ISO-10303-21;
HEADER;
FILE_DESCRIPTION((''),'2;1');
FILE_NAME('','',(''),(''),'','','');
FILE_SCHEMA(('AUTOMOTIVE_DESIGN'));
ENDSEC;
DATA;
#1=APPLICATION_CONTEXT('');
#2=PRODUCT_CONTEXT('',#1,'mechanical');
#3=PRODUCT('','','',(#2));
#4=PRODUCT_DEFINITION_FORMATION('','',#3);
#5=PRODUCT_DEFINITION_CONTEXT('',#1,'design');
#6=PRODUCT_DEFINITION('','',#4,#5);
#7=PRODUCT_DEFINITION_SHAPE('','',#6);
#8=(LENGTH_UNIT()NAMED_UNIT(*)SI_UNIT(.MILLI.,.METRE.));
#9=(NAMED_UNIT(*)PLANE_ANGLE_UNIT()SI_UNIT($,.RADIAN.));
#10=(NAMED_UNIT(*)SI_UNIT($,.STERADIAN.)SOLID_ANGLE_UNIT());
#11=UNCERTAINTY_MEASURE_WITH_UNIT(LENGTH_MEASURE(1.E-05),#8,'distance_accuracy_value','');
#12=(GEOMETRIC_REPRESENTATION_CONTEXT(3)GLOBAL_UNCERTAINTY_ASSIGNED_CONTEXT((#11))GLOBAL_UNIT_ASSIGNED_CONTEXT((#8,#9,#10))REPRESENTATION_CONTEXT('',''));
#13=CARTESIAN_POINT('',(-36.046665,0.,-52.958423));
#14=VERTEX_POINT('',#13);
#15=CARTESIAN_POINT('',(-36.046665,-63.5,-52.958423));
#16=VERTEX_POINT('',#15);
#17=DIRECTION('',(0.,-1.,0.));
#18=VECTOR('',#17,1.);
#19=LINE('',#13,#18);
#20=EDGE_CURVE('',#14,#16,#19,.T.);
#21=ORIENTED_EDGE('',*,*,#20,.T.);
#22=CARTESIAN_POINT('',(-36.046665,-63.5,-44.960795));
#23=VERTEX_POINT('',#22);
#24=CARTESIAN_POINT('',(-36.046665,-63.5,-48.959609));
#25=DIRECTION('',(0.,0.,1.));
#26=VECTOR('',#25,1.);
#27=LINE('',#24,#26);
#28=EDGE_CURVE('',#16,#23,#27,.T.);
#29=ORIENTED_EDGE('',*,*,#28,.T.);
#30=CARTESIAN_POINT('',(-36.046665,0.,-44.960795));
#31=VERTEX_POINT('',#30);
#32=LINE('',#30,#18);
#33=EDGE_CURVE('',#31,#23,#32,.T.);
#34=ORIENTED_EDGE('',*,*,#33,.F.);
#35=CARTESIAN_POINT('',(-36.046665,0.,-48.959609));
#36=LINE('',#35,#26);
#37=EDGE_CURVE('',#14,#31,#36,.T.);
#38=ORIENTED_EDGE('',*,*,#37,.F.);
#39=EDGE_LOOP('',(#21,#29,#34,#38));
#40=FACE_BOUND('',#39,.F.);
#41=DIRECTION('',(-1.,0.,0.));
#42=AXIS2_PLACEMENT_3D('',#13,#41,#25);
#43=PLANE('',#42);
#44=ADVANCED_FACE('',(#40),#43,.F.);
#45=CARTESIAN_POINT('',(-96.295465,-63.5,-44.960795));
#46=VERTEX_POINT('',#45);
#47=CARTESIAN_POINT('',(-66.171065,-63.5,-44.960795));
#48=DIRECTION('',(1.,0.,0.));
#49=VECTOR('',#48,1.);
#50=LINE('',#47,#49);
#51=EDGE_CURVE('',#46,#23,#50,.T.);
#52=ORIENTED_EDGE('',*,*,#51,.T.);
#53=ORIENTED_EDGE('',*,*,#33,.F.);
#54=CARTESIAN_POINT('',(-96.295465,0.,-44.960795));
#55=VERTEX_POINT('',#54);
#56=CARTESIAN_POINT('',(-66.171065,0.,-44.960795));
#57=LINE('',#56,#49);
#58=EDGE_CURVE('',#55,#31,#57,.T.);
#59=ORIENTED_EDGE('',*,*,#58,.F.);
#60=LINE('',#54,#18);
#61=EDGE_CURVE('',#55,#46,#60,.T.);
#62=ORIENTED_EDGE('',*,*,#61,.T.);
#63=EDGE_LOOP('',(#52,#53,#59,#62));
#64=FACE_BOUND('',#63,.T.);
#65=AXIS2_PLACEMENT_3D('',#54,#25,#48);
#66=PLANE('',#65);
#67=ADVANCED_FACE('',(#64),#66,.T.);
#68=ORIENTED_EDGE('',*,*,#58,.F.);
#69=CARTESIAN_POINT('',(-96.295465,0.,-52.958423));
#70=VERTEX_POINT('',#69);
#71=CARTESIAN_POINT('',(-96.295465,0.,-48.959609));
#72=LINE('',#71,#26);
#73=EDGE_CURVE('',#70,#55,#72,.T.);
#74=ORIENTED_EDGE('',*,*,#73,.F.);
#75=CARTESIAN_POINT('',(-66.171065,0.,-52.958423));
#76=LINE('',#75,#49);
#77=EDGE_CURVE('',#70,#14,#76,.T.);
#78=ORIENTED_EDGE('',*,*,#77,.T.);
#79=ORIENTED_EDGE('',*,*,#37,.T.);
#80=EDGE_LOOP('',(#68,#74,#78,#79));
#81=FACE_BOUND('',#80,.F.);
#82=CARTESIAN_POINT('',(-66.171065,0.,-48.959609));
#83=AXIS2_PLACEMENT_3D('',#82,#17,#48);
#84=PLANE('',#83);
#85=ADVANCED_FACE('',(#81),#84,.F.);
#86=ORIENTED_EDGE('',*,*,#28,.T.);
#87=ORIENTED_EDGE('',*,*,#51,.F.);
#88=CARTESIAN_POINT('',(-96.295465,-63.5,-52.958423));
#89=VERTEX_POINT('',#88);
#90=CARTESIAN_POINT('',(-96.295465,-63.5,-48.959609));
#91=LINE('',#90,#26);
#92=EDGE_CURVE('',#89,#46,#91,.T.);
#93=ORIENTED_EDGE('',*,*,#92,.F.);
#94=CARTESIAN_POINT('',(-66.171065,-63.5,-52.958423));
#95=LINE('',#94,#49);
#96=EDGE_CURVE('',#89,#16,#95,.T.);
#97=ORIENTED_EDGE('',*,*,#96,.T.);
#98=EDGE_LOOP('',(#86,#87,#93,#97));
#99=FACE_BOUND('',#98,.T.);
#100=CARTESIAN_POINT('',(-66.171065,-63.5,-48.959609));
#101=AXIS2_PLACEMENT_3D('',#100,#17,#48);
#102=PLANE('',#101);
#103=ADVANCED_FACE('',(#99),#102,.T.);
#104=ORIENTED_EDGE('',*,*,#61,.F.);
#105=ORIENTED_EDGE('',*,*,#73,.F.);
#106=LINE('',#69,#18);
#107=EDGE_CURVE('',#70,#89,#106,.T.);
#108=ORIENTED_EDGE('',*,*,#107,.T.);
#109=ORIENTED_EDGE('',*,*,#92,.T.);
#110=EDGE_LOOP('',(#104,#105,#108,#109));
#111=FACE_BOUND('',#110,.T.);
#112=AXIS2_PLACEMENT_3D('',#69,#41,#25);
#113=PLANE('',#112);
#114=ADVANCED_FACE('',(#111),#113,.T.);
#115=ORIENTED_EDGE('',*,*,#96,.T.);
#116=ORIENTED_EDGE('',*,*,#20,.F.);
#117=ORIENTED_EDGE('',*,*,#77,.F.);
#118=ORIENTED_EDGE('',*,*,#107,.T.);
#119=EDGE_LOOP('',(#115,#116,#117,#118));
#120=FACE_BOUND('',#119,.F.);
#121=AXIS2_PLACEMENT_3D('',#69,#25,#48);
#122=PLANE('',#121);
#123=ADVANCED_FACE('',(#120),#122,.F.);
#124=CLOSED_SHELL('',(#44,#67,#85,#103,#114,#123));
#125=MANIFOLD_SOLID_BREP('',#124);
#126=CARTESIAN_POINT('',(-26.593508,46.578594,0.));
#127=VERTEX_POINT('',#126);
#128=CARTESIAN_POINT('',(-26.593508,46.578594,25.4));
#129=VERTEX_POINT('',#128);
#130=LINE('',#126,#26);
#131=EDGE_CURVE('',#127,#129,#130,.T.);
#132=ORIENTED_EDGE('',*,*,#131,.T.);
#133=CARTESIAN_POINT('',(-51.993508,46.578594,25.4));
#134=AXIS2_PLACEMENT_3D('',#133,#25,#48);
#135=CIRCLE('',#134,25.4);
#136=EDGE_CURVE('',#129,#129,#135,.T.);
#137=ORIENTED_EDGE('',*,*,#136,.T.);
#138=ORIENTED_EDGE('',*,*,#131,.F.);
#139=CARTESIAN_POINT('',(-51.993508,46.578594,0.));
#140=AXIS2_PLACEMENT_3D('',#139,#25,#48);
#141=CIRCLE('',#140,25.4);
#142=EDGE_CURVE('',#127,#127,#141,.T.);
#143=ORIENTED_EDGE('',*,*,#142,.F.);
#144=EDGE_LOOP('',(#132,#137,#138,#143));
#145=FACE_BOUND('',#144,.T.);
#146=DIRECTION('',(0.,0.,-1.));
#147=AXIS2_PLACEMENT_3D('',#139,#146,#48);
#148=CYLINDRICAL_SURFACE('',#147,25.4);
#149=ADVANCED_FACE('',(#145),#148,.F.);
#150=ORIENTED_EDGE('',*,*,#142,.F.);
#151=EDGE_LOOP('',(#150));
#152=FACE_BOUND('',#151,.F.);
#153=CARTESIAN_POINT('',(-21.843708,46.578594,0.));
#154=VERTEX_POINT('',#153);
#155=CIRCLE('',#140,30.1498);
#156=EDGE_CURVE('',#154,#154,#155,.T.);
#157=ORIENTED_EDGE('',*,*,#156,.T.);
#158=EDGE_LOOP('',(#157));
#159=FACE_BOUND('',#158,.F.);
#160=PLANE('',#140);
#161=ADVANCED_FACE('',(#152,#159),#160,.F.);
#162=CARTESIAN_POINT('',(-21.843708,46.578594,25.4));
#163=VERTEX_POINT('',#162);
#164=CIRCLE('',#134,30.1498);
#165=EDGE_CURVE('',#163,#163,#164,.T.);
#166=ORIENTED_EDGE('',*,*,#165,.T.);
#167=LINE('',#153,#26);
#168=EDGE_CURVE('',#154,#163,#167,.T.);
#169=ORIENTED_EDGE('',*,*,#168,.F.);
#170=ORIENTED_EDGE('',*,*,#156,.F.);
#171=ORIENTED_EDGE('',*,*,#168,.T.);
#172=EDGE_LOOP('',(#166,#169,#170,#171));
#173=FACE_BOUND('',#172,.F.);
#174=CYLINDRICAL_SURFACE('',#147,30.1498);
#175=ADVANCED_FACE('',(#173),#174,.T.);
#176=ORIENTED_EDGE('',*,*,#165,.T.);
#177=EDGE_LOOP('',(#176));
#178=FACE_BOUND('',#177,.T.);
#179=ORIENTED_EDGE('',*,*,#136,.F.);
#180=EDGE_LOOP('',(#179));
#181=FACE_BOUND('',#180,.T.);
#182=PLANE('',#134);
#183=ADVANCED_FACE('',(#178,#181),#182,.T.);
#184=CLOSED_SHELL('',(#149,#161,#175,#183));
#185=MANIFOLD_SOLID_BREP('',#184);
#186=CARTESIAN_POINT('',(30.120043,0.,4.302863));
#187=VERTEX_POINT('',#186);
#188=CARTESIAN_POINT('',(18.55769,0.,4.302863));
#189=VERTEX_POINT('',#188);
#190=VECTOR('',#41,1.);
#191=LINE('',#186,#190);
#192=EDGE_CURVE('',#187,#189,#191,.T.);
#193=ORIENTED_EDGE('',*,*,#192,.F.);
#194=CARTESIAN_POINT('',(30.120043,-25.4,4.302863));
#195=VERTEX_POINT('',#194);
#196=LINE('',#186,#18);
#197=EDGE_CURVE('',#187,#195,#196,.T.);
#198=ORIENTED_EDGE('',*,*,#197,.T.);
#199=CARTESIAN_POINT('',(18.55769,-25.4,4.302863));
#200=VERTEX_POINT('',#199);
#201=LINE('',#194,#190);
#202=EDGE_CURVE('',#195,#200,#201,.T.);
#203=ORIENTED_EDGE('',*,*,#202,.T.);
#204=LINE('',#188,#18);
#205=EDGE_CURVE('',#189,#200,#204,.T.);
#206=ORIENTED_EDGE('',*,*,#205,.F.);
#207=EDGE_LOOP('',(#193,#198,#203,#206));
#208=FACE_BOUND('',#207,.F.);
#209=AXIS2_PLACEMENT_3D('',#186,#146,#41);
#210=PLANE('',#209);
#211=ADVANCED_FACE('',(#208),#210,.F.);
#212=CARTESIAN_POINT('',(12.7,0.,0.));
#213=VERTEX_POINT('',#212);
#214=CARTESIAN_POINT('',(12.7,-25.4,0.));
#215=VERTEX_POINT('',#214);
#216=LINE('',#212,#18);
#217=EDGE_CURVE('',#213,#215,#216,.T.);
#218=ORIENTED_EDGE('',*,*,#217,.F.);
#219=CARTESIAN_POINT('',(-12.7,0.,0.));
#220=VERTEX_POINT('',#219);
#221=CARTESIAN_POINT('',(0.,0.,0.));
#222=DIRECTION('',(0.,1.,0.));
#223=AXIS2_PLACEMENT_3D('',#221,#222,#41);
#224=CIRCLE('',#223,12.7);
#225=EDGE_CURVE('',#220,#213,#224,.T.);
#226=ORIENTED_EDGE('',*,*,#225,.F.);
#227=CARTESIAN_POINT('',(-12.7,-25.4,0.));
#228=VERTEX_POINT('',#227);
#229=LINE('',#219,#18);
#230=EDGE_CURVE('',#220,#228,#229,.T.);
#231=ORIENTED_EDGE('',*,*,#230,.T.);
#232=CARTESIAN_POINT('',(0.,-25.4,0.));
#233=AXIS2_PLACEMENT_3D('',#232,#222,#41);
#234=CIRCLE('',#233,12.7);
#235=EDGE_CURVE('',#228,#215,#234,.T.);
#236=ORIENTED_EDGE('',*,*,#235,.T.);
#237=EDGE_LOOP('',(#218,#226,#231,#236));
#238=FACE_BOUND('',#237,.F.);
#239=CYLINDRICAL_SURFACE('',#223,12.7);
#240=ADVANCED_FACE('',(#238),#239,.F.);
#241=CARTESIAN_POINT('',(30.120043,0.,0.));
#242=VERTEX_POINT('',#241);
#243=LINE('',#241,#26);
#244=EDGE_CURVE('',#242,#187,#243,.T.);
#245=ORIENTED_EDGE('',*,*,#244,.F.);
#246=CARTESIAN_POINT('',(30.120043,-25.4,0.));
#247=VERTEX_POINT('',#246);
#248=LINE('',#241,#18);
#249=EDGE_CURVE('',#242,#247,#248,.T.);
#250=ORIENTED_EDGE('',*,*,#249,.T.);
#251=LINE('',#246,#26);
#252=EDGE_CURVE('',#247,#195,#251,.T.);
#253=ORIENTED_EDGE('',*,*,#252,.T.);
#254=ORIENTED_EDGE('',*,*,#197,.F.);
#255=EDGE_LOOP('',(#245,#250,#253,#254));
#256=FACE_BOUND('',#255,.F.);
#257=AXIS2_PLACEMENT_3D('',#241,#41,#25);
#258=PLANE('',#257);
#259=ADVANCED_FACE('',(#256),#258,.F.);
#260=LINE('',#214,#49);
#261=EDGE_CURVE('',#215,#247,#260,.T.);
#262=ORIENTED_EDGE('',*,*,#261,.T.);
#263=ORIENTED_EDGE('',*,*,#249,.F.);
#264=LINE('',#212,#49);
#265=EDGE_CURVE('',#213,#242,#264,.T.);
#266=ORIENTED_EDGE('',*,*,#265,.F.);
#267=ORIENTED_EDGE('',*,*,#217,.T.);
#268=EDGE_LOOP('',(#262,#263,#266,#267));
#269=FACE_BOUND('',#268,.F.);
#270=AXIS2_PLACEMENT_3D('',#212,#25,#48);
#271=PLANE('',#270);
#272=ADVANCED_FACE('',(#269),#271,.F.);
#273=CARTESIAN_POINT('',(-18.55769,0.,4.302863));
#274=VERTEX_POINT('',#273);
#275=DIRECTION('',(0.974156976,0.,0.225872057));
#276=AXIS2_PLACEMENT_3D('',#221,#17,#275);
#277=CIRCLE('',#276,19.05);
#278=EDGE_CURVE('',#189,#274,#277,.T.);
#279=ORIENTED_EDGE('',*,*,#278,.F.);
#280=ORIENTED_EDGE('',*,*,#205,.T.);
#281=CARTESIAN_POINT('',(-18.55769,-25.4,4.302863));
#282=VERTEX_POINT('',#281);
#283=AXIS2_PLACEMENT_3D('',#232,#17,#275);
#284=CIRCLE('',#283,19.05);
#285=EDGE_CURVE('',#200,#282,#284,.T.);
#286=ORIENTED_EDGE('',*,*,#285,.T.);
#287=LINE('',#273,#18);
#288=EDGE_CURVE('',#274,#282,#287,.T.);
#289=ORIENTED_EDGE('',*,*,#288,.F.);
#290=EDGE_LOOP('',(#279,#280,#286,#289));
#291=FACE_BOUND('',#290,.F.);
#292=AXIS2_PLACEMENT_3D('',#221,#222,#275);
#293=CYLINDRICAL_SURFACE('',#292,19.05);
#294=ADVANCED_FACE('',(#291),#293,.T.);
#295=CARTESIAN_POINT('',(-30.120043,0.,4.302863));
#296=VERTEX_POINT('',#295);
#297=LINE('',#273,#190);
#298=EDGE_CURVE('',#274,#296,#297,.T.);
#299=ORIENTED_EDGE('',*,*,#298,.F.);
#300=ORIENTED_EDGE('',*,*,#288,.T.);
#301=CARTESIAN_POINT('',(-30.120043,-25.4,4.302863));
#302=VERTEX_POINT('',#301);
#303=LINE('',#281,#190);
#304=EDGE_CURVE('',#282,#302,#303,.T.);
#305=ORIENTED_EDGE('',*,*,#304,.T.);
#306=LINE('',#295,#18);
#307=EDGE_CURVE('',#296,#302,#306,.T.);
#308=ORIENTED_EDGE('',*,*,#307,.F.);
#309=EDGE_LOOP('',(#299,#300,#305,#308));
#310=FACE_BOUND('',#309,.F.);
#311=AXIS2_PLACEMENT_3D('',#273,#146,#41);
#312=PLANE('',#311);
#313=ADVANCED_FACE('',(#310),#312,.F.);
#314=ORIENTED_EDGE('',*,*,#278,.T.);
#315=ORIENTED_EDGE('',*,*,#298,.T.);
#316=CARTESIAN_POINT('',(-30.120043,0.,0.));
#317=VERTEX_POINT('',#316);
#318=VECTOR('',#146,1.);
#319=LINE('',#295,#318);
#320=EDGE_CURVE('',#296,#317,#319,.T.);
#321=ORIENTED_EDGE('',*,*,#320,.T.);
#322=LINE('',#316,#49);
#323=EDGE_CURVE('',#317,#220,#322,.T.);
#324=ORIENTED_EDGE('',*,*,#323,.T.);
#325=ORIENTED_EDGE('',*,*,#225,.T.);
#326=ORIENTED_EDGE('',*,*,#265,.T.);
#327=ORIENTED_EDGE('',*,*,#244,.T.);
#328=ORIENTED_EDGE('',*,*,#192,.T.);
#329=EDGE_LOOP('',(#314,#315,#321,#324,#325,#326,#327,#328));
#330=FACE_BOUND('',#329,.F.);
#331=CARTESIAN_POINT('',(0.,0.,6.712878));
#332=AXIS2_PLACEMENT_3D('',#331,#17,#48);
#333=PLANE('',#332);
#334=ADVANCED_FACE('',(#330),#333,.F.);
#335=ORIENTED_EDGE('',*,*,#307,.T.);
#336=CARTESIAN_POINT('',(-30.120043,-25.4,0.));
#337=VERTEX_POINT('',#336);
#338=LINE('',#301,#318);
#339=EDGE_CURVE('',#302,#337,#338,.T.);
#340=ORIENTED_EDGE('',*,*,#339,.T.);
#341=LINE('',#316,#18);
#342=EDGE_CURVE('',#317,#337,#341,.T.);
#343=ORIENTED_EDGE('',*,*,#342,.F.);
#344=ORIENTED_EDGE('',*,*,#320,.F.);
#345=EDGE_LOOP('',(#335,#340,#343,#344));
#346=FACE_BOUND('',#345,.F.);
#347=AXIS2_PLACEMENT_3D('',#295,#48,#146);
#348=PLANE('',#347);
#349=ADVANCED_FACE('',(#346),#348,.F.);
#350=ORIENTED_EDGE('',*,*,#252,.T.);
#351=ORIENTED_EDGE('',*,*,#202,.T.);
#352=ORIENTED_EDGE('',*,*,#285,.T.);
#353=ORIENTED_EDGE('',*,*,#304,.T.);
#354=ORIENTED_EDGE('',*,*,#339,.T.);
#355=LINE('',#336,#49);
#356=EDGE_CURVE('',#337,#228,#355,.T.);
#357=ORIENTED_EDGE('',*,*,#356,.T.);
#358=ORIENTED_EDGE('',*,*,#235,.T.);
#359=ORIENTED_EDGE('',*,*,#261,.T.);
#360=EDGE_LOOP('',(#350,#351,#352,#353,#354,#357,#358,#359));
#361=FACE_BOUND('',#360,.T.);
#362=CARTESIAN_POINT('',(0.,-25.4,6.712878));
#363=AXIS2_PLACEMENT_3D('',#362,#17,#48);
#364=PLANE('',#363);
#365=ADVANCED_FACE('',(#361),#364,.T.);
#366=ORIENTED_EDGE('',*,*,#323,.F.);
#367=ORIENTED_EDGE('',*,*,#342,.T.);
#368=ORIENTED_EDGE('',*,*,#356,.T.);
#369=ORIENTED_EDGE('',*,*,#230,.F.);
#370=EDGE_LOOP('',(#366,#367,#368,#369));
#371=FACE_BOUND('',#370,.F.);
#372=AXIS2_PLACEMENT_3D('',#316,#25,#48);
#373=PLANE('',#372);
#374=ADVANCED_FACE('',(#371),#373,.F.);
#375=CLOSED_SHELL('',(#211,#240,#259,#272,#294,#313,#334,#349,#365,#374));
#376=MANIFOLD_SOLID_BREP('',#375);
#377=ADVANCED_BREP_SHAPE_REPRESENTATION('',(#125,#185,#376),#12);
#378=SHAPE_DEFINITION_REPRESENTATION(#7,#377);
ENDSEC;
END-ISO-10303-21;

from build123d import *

# Parameters (mm, degrees)
F1_DEPTH = 25.4
F2_W     = 60.2488
F2_H     = 7.997628
F3_DEPTH = 63.5
F4_R     = 30.1498
F4_R_2   = 25.4
F5_DEPTH = 25.4


with BuildPart() as f1:
    # F0 (on Front) → F1 (new body)
    with BuildSketch(Plane.XZ):
        with BuildLine():
            ThreePointArc((-12.7, 0), (0, 12.7), (12.7, 0))
            Line((12.7, 0), (30.120043, 0))
            Line((30.120043, 0), (30.120043, 4.302863))
            Line((30.120043, 4.302863), (18.55769, 4.302863))
            ThreePointArc((18.55769, 4.302863), (0, 19.05), (-18.55769, 4.302863))
            Line((-18.55769, 4.302863), (-30.120043, 4.302863))
            Line((-30.120043, 4.302863), (-30.120043, 0))
            Line((-30.120043, 0), (-12.7, 0))
        make_face()
    extrude(amount=F1_DEPTH)


with BuildPart() as f3:
    # F2 (on Front) → F3 (new body)
    with BuildSketch(Plane.XZ):
        with Locations((-66.171065, -48.959609)):
            Rectangle(F2_W, F2_H)
    extrude(amount=F3_DEPTH)


with BuildPart() as f5:
    # F4 (on Top) → F5 (new body)
    with BuildSketch(Plane.XY):
        with Locations((-51.993508, 46.578594)):
            Circle(F4_R)
        with Locations((-51.993508, 46.578594)):
            Circle(F4_R_2, mode=Mode.SUBTRACT)
    extrude(amount=F5_DEPTH)


solid = Compound([f1.part, f3.part, f5.part])
